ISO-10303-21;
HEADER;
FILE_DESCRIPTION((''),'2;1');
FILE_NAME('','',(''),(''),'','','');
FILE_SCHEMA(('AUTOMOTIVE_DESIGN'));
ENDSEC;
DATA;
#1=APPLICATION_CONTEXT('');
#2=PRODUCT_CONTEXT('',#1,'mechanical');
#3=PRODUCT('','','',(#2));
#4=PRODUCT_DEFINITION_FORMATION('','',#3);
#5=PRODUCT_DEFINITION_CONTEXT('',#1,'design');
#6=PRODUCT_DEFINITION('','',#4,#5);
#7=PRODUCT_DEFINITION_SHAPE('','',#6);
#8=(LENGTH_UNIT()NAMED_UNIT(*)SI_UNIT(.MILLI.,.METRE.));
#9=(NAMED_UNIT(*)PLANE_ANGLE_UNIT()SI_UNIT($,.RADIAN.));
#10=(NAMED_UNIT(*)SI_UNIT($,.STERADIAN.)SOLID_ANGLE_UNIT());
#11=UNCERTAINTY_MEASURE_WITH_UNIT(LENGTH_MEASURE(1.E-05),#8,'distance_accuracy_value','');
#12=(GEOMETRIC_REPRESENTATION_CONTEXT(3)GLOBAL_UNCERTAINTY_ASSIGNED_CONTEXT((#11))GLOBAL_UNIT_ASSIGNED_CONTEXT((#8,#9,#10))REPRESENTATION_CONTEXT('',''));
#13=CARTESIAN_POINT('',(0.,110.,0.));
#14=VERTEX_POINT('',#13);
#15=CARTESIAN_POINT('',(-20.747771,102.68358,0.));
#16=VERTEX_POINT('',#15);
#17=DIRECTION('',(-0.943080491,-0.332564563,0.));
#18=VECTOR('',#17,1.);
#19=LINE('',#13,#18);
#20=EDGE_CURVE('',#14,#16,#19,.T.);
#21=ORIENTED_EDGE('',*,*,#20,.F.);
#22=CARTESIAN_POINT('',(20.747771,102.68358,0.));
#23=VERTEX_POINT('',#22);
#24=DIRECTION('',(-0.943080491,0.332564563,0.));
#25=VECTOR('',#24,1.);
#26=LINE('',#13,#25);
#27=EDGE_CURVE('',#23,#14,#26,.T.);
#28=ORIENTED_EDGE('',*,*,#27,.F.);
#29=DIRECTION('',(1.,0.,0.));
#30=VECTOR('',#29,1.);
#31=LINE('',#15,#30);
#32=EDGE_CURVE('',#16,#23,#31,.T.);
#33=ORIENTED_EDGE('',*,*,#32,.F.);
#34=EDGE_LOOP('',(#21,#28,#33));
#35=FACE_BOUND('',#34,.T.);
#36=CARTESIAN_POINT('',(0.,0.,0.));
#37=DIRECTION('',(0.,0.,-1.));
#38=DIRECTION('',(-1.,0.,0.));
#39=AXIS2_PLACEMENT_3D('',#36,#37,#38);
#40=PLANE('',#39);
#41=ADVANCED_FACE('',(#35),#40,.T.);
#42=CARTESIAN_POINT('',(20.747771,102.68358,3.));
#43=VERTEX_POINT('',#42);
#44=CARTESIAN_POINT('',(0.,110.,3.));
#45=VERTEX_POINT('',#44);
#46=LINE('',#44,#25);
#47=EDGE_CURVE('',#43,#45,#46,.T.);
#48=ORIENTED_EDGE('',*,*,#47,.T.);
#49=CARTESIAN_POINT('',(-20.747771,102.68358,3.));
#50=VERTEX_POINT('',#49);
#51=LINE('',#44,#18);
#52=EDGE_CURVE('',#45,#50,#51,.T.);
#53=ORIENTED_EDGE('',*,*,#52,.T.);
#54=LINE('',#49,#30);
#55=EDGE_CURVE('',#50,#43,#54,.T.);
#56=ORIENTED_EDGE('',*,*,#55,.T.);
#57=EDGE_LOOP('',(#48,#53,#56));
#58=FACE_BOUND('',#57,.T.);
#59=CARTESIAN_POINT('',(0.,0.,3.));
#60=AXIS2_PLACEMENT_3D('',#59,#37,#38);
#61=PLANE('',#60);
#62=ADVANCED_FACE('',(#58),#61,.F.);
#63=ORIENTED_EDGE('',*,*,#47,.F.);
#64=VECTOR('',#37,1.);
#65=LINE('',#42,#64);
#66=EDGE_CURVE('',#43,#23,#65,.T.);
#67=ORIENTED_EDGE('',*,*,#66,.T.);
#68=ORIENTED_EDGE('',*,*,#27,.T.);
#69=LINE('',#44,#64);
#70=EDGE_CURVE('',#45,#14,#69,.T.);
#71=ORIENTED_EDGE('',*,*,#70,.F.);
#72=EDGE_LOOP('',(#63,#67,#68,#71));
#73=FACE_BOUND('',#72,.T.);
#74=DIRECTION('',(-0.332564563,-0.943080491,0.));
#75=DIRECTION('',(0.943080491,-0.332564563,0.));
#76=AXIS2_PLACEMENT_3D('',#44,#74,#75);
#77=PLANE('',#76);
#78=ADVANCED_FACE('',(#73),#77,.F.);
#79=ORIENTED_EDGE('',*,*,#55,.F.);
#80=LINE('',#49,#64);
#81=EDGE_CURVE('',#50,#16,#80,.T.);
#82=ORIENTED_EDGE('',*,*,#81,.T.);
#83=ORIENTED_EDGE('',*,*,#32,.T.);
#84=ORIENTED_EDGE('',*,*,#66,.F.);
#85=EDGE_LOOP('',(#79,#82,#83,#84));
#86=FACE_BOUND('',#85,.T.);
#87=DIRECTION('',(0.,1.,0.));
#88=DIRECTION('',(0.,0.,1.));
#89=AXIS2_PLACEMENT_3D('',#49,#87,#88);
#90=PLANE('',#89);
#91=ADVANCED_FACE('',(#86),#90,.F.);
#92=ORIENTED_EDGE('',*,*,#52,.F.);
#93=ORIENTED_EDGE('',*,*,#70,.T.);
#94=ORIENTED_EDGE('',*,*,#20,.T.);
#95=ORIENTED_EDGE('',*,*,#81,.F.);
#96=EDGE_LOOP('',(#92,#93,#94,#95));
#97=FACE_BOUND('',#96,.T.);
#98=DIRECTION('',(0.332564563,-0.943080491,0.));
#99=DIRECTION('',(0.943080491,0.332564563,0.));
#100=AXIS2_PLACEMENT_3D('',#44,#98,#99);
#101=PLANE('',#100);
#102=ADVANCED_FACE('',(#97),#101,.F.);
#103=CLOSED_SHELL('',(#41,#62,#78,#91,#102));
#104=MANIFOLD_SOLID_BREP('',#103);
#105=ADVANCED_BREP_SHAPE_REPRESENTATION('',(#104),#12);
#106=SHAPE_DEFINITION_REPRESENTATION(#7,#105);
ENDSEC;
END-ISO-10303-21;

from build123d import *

# Parameters (mm, degrees)
BOSS_EXTRU_1_DEPTH = 3


with BuildPart() as part:
    # Esquisse1 → Boss.-Extru.1 (new body)
    with BuildSketch(Plane.XY):
        Polygon((0, 110), (-20.747770792, 102.683579622), (20.747770792, 102.683579622), align=None)
    extrude(amount=BOSS_EXTRU_1_DEPTH)


solid = part.part
